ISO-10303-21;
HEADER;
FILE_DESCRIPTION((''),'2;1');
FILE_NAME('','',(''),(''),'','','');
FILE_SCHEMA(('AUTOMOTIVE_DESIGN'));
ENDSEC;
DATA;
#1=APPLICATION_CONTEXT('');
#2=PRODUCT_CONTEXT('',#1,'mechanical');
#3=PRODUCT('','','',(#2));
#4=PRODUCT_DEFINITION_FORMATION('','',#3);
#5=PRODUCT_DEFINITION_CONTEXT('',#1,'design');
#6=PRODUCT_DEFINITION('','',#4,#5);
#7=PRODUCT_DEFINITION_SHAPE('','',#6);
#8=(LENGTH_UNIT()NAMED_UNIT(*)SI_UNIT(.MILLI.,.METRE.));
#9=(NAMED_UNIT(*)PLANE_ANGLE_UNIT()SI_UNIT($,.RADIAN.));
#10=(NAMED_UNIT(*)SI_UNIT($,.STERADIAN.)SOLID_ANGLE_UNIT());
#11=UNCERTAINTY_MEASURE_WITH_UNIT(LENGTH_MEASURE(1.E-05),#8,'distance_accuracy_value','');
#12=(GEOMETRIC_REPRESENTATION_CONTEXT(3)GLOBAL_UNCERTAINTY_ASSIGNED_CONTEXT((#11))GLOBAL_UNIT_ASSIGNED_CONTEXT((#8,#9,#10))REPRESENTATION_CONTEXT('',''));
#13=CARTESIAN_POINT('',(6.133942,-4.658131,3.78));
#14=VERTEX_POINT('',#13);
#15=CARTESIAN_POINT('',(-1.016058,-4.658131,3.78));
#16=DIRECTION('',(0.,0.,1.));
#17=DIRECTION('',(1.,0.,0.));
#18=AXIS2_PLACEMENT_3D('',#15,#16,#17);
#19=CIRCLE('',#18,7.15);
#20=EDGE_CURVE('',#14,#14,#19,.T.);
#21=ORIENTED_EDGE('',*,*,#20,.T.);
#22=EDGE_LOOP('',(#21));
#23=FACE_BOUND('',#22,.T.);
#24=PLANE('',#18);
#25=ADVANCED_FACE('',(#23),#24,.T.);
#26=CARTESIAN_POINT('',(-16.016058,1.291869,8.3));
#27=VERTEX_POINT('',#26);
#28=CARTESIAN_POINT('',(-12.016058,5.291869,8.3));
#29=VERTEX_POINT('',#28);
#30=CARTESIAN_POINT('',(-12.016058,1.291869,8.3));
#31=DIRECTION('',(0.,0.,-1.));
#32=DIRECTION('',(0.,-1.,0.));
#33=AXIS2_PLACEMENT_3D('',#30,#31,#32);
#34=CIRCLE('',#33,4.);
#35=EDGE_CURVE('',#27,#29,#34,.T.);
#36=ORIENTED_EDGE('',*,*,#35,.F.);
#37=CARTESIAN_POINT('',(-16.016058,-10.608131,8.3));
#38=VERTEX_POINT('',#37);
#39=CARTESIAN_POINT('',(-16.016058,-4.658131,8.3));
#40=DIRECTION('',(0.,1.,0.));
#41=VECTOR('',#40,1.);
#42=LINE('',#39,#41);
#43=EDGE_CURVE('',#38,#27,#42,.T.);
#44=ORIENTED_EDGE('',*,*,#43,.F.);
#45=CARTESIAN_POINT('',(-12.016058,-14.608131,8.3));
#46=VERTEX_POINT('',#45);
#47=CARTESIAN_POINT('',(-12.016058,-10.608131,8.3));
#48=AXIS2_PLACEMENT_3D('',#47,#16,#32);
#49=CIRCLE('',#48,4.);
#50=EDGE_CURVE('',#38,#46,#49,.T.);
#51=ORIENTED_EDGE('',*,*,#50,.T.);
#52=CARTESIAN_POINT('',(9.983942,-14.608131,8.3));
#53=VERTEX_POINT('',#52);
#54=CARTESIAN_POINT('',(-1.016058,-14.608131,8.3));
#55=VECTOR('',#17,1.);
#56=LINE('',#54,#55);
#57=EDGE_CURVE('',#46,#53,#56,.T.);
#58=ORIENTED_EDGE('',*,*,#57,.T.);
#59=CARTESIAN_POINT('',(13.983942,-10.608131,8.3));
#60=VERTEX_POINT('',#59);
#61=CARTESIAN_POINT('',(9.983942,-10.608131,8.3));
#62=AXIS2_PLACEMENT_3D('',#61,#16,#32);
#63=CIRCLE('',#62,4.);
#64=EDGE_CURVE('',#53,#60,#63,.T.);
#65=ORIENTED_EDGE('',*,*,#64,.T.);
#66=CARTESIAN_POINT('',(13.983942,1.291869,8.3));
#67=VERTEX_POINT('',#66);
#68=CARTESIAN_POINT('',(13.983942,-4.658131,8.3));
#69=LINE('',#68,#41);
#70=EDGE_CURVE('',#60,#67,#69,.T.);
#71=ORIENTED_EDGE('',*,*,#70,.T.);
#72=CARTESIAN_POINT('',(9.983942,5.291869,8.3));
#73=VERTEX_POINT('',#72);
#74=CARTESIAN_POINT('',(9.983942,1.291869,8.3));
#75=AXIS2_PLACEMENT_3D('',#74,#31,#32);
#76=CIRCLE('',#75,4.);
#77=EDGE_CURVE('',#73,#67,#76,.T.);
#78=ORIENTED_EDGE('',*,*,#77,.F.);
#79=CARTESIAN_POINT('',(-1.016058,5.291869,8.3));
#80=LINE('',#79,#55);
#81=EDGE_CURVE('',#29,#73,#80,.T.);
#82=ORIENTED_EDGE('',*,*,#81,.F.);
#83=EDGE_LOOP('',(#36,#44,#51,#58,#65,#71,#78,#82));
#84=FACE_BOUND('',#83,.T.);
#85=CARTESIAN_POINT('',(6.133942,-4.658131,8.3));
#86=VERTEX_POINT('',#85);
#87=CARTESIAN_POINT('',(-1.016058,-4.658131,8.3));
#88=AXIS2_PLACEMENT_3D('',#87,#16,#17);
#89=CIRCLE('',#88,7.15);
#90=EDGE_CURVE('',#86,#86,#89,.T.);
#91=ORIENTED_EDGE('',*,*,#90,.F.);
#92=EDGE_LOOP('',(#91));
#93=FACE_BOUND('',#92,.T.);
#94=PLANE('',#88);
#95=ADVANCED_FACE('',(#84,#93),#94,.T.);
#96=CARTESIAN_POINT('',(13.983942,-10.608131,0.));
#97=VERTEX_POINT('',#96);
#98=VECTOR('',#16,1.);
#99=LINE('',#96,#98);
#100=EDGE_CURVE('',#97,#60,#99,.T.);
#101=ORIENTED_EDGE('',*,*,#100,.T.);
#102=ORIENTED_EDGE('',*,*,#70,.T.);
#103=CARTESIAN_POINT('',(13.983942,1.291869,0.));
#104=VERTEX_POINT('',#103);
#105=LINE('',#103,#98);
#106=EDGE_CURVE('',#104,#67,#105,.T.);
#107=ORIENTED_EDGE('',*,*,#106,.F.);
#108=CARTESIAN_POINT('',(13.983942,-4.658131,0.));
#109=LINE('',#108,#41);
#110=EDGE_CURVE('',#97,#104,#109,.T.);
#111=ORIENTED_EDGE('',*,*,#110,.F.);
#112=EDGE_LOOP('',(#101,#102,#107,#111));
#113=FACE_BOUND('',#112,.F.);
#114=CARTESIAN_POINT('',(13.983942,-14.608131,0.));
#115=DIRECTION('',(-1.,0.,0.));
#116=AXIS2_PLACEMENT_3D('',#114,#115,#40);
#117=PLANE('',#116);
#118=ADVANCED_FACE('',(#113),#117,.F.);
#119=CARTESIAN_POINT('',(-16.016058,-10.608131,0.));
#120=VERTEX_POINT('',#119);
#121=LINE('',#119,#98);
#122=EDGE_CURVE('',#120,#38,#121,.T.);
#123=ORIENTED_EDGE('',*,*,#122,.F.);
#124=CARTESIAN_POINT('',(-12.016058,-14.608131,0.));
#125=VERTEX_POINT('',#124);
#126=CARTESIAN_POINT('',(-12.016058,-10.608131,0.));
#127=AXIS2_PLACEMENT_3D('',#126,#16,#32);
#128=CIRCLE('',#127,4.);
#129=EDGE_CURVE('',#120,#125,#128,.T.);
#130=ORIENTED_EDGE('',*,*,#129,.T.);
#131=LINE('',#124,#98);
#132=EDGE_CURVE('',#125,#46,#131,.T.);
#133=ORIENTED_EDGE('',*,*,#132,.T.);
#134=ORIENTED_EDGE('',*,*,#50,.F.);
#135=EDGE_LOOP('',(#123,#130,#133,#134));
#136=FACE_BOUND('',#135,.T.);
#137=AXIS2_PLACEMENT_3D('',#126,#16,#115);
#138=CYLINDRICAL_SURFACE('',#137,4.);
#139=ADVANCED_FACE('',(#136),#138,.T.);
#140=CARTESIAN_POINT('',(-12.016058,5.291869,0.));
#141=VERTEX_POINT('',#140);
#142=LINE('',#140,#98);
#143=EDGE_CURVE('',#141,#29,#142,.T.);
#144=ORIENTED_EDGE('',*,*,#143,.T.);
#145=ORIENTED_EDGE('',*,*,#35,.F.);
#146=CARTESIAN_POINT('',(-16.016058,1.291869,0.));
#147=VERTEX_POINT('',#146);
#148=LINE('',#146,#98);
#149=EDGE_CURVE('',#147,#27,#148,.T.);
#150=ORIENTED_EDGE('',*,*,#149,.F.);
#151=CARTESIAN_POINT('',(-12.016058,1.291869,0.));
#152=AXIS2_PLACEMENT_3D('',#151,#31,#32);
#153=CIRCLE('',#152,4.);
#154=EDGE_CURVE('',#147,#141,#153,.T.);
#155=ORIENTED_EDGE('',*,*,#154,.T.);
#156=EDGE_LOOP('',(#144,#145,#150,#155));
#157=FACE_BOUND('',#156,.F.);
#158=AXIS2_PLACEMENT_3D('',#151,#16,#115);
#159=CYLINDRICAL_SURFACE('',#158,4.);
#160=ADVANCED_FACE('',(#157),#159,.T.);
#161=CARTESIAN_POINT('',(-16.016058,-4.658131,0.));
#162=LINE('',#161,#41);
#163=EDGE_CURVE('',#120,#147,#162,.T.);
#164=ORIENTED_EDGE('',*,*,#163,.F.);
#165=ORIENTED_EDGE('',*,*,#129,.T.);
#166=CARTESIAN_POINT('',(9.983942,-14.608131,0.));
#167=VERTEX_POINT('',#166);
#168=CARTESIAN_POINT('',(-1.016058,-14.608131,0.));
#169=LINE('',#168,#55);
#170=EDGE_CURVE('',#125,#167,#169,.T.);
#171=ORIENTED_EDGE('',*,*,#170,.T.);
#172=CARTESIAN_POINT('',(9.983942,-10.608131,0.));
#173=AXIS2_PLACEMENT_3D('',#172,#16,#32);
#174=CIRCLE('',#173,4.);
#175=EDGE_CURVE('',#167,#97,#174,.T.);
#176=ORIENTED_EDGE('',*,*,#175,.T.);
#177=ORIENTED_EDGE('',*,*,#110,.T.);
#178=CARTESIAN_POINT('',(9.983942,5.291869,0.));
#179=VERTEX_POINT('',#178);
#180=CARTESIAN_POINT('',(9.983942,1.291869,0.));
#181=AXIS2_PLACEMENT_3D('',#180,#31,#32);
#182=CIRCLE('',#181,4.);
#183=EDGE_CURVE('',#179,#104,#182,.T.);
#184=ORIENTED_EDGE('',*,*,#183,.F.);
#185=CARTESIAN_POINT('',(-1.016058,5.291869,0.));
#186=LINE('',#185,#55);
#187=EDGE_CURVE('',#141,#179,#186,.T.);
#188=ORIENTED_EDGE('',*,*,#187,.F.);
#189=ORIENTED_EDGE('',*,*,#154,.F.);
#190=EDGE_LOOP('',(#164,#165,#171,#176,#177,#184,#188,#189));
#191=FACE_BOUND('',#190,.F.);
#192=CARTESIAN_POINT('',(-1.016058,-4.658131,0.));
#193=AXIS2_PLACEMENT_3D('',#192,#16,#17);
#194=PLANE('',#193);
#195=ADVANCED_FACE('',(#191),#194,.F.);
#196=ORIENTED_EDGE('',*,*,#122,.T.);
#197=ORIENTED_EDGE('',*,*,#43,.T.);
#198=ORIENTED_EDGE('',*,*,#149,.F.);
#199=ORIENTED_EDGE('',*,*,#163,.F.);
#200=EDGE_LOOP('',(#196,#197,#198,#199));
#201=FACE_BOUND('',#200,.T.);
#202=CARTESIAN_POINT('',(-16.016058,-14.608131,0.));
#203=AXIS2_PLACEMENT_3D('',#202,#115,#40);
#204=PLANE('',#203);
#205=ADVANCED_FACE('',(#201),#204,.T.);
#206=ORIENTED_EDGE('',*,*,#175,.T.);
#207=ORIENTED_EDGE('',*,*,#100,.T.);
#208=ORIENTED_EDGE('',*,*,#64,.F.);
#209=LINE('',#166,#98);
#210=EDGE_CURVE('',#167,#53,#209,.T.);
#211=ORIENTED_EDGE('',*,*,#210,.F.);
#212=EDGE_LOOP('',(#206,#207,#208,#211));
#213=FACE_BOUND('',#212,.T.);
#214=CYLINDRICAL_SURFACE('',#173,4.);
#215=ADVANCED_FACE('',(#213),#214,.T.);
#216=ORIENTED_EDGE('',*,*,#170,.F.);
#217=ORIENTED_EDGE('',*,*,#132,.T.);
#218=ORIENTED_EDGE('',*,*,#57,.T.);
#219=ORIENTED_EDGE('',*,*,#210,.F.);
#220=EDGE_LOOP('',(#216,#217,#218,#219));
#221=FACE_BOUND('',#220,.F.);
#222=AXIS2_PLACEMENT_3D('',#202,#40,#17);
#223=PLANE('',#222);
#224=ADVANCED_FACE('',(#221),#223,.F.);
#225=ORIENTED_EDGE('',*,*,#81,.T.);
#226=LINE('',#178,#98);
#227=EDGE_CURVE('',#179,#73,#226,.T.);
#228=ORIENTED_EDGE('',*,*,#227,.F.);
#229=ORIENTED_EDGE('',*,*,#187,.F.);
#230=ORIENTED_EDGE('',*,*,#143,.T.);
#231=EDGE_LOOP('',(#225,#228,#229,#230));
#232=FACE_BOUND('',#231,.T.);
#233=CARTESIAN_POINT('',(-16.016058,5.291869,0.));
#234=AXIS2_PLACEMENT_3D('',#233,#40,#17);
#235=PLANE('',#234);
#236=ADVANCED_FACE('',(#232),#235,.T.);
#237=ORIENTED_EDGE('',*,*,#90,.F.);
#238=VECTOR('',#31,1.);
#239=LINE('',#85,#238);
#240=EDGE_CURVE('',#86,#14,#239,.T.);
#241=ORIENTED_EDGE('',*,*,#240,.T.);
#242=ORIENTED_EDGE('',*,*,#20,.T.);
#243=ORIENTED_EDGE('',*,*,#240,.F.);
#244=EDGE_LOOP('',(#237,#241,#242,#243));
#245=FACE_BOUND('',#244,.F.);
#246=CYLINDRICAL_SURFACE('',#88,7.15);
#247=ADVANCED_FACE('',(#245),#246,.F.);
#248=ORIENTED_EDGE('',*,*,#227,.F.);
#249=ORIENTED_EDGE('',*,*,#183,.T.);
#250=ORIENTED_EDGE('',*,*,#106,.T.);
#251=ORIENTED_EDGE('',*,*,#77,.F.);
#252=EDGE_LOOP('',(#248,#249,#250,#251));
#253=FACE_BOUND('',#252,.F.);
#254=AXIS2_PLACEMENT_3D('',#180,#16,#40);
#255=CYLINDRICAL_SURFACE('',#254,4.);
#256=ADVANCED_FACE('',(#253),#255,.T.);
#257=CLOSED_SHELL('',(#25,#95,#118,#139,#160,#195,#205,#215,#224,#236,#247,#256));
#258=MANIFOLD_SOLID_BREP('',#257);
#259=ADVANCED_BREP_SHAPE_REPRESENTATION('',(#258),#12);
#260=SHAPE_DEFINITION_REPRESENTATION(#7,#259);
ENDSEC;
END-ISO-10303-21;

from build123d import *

# Parameters (mm, degrees)
F0_W     = 30
F0_H     = 19.9
F1_DEPTH = 8.3
F2_R     = 7.15
F3_DEPTH = 4.52
F4_R     = 4


with BuildPart() as f1:
    # F0 (on Top) → F1 (new body)
    with BuildSketch(Plane.XY):
        with Locations((-1.016058, -4.658131)):
            Rectangle(F0_W, F0_H)
    extrude(amount=F1_DEPTH)

    # F2 (on face) → F3 (cut)
    with BuildSketch(Plane.XY.offset(8.3)):
        with Locations((-1.016058, -4.658131)):
            Circle(F2_R)
    extrude(amount=-F3_DEPTH, mode=Mode.SUBTRACT)

    # F4
    f4_edges = [f1.edges().sort_by_distance(p)[0] for p in [
        (13.983942, -14.608131, 4.15),
        (-16.016058, -14.608131, 4.15),
        (13.983942, 5.291869, 4.15),
        (-16.016058, 5.291869, 4.15),
    ]]
    fillet(f4_edges, radius=F4_R)


solid = f1.part
